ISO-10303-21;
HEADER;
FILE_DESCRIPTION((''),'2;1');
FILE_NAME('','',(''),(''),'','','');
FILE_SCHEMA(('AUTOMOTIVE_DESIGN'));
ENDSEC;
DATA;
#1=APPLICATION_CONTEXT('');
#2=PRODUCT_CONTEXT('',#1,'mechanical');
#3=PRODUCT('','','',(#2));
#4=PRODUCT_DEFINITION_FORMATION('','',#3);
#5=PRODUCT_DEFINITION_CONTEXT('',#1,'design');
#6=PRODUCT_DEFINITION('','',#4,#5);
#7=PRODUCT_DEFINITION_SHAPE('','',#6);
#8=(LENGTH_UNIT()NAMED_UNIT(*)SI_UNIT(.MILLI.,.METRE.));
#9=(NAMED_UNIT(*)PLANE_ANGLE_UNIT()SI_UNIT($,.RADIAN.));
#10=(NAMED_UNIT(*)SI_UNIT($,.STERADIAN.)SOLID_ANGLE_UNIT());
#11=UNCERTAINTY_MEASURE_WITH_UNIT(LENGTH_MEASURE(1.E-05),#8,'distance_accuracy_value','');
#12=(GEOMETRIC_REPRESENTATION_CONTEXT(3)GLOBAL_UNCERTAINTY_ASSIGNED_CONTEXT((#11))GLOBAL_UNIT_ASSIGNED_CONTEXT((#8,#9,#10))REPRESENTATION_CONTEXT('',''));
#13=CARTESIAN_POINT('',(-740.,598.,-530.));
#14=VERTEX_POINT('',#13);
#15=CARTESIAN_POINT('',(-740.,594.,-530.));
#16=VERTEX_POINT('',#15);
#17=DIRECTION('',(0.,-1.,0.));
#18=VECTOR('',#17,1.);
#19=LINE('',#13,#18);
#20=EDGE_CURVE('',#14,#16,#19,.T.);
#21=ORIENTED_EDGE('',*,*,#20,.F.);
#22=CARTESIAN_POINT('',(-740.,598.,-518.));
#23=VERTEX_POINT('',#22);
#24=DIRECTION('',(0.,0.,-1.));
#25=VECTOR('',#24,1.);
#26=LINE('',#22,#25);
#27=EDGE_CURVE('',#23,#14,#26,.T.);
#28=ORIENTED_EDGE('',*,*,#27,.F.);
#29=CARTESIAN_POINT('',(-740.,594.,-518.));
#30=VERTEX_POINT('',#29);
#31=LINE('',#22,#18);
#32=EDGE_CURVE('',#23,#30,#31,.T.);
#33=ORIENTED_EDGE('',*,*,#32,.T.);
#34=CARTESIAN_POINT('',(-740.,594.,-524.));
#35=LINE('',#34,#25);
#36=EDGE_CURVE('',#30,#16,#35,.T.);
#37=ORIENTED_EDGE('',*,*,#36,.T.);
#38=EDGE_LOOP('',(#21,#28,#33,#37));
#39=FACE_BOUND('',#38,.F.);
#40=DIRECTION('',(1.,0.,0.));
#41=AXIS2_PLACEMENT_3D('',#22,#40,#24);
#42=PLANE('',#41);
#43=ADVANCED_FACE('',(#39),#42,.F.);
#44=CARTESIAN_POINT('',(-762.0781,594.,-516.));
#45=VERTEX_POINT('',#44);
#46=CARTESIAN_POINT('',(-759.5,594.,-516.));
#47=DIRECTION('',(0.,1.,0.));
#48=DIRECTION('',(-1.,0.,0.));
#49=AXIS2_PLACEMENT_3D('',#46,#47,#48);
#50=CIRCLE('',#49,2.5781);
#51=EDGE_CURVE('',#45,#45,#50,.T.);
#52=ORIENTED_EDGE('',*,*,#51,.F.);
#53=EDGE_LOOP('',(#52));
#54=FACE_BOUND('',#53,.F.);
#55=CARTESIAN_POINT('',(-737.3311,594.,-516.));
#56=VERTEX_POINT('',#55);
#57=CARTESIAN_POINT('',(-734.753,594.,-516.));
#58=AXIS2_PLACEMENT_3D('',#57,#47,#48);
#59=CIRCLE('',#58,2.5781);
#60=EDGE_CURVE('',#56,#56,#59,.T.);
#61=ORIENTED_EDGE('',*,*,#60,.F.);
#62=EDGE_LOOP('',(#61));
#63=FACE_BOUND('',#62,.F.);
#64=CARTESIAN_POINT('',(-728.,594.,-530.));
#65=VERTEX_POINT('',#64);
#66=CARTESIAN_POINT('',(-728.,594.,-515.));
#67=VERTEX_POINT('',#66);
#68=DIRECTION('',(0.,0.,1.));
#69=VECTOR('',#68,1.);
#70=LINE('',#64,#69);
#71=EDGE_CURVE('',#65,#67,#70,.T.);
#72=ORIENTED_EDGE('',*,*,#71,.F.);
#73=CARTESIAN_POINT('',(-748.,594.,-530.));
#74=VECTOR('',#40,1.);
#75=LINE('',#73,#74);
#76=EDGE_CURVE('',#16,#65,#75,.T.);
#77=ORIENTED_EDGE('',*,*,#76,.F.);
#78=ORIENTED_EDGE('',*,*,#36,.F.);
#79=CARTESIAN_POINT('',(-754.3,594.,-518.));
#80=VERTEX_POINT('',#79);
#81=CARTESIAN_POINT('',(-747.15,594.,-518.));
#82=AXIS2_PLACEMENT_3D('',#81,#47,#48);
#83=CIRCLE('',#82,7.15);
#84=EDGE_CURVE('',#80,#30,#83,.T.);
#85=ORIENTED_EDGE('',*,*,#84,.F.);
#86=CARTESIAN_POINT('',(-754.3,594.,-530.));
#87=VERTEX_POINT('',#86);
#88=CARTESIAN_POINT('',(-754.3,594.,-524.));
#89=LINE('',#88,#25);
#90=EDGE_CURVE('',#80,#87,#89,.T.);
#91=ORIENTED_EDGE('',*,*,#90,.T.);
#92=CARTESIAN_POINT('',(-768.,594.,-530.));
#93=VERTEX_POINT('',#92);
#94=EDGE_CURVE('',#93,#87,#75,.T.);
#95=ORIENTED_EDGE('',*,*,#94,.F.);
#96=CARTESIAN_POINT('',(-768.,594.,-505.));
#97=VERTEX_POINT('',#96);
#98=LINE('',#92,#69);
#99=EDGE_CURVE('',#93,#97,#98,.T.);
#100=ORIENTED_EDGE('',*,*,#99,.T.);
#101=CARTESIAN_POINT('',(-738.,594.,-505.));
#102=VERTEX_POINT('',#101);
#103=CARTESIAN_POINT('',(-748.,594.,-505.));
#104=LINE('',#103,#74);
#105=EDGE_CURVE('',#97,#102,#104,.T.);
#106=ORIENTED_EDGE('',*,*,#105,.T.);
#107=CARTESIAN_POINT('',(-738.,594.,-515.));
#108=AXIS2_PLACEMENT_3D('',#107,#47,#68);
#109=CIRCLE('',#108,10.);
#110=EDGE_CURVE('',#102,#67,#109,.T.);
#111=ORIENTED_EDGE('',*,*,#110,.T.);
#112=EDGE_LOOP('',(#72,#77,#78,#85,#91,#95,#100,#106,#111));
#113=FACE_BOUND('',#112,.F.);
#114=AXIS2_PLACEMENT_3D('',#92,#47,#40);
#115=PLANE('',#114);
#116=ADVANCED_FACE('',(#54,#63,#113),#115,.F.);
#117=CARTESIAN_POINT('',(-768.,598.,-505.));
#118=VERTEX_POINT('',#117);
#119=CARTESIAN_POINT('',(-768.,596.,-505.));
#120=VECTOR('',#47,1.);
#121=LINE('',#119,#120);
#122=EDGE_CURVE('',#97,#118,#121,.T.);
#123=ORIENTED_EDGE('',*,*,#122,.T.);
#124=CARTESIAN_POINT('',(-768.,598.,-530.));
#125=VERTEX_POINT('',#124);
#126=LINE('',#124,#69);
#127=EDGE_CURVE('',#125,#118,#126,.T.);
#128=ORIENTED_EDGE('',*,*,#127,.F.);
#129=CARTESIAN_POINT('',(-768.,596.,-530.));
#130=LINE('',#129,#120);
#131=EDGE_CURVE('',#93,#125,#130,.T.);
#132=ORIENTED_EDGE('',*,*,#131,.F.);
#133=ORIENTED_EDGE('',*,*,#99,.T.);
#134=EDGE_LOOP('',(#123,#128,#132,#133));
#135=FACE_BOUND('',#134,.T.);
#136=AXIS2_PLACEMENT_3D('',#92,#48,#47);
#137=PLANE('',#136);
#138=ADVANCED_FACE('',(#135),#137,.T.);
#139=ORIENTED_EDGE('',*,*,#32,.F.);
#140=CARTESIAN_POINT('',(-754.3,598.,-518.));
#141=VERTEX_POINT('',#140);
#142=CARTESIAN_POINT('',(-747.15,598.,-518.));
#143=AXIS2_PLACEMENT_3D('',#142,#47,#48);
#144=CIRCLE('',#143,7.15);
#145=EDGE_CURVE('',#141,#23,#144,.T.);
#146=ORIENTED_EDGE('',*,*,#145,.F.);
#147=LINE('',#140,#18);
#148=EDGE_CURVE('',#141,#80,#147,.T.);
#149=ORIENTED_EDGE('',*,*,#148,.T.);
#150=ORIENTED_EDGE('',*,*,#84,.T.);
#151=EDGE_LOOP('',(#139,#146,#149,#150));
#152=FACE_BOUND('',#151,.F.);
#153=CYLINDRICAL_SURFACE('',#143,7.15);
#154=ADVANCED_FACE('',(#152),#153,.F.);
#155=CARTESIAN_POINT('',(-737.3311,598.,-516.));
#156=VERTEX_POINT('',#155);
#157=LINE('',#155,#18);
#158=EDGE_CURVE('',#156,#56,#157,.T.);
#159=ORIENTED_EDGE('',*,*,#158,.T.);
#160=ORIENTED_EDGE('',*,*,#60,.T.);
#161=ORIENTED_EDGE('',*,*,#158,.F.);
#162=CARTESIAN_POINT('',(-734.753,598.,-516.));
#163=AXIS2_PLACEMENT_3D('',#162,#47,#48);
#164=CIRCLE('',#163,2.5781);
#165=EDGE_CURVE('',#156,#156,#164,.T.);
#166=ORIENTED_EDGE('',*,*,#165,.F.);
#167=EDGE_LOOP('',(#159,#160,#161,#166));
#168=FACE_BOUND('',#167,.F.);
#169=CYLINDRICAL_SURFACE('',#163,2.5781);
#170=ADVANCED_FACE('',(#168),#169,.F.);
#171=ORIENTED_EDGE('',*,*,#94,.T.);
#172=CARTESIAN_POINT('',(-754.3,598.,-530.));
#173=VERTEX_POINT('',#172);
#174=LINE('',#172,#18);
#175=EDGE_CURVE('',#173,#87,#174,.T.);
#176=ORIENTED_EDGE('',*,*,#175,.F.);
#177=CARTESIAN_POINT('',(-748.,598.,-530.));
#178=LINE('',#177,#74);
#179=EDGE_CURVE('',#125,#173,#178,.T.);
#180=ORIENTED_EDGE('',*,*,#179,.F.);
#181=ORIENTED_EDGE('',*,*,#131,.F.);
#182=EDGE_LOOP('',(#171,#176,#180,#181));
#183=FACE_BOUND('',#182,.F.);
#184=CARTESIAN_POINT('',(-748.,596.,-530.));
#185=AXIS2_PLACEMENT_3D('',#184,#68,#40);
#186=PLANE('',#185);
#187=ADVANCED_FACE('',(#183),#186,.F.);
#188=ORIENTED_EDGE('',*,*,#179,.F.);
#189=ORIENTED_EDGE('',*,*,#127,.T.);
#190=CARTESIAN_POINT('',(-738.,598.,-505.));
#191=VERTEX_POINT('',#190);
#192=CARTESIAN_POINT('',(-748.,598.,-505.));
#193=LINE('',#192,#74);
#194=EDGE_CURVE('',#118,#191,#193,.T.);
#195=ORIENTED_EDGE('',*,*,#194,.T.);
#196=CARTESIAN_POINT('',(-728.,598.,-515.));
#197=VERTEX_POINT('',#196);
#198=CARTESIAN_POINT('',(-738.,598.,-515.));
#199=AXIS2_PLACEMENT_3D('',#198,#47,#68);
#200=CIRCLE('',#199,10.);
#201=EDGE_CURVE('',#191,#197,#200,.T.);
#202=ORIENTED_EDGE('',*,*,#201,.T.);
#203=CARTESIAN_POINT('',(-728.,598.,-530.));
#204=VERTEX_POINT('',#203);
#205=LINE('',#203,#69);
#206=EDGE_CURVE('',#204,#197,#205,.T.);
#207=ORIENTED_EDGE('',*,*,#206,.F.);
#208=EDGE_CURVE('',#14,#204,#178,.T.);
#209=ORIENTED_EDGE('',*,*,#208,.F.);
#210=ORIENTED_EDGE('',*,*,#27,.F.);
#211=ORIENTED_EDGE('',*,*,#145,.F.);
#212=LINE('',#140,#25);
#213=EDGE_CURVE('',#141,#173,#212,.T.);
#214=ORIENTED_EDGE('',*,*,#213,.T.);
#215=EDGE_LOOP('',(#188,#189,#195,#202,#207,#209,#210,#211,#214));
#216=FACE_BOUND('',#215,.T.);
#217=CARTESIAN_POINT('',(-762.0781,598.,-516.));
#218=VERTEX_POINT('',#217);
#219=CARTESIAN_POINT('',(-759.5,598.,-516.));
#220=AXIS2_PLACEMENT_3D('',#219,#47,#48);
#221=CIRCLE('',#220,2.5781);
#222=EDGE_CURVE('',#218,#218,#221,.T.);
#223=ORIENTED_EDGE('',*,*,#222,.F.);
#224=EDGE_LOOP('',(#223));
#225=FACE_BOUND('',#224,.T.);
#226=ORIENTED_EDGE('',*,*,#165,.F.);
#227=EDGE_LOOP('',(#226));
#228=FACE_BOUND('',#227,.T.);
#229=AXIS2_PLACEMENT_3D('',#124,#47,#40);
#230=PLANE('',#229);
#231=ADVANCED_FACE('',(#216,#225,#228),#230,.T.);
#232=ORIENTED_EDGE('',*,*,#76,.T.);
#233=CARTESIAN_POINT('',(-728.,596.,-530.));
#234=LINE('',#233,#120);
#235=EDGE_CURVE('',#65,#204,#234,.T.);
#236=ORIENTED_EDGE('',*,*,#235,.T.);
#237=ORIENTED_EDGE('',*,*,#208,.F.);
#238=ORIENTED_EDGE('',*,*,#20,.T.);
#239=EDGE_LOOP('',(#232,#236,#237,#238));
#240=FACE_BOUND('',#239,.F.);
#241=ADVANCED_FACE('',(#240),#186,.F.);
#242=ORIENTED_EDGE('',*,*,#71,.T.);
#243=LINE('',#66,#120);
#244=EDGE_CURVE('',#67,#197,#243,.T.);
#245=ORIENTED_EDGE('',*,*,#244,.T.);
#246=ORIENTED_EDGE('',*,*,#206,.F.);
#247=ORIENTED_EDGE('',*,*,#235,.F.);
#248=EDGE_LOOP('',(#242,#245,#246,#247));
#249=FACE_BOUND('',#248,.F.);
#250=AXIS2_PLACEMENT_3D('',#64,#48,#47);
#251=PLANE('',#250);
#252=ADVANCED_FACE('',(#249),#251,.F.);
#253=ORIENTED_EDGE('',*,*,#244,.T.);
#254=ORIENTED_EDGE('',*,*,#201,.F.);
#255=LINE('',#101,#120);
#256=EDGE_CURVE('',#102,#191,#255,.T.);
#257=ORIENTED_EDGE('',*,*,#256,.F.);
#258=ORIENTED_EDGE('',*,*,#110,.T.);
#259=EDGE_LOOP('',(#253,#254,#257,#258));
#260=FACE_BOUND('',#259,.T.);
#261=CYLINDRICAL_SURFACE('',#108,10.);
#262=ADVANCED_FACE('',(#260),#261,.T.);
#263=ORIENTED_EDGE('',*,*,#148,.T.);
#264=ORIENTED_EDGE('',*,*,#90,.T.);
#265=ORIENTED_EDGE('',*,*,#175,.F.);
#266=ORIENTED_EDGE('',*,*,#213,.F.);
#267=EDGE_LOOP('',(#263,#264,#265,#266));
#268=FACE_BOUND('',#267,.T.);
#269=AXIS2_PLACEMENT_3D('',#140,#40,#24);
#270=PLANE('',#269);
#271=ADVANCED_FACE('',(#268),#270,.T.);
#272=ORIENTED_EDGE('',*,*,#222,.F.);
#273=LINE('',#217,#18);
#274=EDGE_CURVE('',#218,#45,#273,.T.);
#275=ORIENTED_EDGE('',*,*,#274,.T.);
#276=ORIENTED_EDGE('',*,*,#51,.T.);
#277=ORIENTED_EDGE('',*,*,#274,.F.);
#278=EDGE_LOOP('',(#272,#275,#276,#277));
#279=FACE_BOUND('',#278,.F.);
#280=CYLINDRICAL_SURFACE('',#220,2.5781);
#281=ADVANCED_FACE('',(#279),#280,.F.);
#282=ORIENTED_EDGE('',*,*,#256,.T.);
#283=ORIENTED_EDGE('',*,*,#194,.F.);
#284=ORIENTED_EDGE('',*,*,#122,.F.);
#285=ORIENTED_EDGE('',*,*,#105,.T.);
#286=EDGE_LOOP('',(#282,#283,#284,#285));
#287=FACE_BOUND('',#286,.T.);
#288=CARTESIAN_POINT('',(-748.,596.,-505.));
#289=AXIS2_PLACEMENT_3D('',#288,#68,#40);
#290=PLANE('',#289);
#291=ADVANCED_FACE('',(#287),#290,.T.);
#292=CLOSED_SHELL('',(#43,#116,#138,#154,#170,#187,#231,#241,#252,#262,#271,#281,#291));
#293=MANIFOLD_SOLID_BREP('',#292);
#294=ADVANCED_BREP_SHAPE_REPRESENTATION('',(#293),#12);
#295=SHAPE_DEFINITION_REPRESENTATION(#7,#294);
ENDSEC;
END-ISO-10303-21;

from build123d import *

# Parameters (mm, degrees)
BOX001_W        = 40
BOX001_H        = 4
BOX001_DEPTH    = 25
SKETCH002_R     = 2.5781
POCKET002_DEPTH = 4.001
FILLET_R        = 10


with BuildPart() as part:
    # Box001 → Box001 (new body)
    with BuildSketch(Plane(origin=(-768, 594, -530), x_dir=(1, 0, 0), z_dir=(0, 0, 1))):
        with Locations((20, 2)):
            Rectangle(BOX001_W, BOX001_H)
    extrude(amount=BOX001_DEPTH)

    # Sketch002 → Pocket002 (cut, through all)
    with BuildSketch(Plane(origin=(-768, 598, -530), x_dir=(-1, 0, 0), z_dir=(0, 1, 0))):
        with Locations((-33.247, 14)):
            Circle(SKETCH002_R)
        with Locations((-8.5, 14)):
            Circle(SKETCH002_R)
        with BuildLine():
            ThreePointArc((-13.7, 12), (-20.85, 19.15), (-28, 12))
            Line((-28, 12), (-28, 0))
            Line((-28, 0), (-13.7, 0))
            Line((-13.7, 12), (-13.7, 0))
        make_face()
    extrude(amount=-POCKET002_DEPTH, mode=Mode.SUBTRACT)

    # Fillet
    fillet_edges = [part.edges().sort_by_distance(p)[0] for p in [
        (-728, 596, -505),
    ]]
    fillet(fillet_edges, radius=FILLET_R)


solid = part.part
